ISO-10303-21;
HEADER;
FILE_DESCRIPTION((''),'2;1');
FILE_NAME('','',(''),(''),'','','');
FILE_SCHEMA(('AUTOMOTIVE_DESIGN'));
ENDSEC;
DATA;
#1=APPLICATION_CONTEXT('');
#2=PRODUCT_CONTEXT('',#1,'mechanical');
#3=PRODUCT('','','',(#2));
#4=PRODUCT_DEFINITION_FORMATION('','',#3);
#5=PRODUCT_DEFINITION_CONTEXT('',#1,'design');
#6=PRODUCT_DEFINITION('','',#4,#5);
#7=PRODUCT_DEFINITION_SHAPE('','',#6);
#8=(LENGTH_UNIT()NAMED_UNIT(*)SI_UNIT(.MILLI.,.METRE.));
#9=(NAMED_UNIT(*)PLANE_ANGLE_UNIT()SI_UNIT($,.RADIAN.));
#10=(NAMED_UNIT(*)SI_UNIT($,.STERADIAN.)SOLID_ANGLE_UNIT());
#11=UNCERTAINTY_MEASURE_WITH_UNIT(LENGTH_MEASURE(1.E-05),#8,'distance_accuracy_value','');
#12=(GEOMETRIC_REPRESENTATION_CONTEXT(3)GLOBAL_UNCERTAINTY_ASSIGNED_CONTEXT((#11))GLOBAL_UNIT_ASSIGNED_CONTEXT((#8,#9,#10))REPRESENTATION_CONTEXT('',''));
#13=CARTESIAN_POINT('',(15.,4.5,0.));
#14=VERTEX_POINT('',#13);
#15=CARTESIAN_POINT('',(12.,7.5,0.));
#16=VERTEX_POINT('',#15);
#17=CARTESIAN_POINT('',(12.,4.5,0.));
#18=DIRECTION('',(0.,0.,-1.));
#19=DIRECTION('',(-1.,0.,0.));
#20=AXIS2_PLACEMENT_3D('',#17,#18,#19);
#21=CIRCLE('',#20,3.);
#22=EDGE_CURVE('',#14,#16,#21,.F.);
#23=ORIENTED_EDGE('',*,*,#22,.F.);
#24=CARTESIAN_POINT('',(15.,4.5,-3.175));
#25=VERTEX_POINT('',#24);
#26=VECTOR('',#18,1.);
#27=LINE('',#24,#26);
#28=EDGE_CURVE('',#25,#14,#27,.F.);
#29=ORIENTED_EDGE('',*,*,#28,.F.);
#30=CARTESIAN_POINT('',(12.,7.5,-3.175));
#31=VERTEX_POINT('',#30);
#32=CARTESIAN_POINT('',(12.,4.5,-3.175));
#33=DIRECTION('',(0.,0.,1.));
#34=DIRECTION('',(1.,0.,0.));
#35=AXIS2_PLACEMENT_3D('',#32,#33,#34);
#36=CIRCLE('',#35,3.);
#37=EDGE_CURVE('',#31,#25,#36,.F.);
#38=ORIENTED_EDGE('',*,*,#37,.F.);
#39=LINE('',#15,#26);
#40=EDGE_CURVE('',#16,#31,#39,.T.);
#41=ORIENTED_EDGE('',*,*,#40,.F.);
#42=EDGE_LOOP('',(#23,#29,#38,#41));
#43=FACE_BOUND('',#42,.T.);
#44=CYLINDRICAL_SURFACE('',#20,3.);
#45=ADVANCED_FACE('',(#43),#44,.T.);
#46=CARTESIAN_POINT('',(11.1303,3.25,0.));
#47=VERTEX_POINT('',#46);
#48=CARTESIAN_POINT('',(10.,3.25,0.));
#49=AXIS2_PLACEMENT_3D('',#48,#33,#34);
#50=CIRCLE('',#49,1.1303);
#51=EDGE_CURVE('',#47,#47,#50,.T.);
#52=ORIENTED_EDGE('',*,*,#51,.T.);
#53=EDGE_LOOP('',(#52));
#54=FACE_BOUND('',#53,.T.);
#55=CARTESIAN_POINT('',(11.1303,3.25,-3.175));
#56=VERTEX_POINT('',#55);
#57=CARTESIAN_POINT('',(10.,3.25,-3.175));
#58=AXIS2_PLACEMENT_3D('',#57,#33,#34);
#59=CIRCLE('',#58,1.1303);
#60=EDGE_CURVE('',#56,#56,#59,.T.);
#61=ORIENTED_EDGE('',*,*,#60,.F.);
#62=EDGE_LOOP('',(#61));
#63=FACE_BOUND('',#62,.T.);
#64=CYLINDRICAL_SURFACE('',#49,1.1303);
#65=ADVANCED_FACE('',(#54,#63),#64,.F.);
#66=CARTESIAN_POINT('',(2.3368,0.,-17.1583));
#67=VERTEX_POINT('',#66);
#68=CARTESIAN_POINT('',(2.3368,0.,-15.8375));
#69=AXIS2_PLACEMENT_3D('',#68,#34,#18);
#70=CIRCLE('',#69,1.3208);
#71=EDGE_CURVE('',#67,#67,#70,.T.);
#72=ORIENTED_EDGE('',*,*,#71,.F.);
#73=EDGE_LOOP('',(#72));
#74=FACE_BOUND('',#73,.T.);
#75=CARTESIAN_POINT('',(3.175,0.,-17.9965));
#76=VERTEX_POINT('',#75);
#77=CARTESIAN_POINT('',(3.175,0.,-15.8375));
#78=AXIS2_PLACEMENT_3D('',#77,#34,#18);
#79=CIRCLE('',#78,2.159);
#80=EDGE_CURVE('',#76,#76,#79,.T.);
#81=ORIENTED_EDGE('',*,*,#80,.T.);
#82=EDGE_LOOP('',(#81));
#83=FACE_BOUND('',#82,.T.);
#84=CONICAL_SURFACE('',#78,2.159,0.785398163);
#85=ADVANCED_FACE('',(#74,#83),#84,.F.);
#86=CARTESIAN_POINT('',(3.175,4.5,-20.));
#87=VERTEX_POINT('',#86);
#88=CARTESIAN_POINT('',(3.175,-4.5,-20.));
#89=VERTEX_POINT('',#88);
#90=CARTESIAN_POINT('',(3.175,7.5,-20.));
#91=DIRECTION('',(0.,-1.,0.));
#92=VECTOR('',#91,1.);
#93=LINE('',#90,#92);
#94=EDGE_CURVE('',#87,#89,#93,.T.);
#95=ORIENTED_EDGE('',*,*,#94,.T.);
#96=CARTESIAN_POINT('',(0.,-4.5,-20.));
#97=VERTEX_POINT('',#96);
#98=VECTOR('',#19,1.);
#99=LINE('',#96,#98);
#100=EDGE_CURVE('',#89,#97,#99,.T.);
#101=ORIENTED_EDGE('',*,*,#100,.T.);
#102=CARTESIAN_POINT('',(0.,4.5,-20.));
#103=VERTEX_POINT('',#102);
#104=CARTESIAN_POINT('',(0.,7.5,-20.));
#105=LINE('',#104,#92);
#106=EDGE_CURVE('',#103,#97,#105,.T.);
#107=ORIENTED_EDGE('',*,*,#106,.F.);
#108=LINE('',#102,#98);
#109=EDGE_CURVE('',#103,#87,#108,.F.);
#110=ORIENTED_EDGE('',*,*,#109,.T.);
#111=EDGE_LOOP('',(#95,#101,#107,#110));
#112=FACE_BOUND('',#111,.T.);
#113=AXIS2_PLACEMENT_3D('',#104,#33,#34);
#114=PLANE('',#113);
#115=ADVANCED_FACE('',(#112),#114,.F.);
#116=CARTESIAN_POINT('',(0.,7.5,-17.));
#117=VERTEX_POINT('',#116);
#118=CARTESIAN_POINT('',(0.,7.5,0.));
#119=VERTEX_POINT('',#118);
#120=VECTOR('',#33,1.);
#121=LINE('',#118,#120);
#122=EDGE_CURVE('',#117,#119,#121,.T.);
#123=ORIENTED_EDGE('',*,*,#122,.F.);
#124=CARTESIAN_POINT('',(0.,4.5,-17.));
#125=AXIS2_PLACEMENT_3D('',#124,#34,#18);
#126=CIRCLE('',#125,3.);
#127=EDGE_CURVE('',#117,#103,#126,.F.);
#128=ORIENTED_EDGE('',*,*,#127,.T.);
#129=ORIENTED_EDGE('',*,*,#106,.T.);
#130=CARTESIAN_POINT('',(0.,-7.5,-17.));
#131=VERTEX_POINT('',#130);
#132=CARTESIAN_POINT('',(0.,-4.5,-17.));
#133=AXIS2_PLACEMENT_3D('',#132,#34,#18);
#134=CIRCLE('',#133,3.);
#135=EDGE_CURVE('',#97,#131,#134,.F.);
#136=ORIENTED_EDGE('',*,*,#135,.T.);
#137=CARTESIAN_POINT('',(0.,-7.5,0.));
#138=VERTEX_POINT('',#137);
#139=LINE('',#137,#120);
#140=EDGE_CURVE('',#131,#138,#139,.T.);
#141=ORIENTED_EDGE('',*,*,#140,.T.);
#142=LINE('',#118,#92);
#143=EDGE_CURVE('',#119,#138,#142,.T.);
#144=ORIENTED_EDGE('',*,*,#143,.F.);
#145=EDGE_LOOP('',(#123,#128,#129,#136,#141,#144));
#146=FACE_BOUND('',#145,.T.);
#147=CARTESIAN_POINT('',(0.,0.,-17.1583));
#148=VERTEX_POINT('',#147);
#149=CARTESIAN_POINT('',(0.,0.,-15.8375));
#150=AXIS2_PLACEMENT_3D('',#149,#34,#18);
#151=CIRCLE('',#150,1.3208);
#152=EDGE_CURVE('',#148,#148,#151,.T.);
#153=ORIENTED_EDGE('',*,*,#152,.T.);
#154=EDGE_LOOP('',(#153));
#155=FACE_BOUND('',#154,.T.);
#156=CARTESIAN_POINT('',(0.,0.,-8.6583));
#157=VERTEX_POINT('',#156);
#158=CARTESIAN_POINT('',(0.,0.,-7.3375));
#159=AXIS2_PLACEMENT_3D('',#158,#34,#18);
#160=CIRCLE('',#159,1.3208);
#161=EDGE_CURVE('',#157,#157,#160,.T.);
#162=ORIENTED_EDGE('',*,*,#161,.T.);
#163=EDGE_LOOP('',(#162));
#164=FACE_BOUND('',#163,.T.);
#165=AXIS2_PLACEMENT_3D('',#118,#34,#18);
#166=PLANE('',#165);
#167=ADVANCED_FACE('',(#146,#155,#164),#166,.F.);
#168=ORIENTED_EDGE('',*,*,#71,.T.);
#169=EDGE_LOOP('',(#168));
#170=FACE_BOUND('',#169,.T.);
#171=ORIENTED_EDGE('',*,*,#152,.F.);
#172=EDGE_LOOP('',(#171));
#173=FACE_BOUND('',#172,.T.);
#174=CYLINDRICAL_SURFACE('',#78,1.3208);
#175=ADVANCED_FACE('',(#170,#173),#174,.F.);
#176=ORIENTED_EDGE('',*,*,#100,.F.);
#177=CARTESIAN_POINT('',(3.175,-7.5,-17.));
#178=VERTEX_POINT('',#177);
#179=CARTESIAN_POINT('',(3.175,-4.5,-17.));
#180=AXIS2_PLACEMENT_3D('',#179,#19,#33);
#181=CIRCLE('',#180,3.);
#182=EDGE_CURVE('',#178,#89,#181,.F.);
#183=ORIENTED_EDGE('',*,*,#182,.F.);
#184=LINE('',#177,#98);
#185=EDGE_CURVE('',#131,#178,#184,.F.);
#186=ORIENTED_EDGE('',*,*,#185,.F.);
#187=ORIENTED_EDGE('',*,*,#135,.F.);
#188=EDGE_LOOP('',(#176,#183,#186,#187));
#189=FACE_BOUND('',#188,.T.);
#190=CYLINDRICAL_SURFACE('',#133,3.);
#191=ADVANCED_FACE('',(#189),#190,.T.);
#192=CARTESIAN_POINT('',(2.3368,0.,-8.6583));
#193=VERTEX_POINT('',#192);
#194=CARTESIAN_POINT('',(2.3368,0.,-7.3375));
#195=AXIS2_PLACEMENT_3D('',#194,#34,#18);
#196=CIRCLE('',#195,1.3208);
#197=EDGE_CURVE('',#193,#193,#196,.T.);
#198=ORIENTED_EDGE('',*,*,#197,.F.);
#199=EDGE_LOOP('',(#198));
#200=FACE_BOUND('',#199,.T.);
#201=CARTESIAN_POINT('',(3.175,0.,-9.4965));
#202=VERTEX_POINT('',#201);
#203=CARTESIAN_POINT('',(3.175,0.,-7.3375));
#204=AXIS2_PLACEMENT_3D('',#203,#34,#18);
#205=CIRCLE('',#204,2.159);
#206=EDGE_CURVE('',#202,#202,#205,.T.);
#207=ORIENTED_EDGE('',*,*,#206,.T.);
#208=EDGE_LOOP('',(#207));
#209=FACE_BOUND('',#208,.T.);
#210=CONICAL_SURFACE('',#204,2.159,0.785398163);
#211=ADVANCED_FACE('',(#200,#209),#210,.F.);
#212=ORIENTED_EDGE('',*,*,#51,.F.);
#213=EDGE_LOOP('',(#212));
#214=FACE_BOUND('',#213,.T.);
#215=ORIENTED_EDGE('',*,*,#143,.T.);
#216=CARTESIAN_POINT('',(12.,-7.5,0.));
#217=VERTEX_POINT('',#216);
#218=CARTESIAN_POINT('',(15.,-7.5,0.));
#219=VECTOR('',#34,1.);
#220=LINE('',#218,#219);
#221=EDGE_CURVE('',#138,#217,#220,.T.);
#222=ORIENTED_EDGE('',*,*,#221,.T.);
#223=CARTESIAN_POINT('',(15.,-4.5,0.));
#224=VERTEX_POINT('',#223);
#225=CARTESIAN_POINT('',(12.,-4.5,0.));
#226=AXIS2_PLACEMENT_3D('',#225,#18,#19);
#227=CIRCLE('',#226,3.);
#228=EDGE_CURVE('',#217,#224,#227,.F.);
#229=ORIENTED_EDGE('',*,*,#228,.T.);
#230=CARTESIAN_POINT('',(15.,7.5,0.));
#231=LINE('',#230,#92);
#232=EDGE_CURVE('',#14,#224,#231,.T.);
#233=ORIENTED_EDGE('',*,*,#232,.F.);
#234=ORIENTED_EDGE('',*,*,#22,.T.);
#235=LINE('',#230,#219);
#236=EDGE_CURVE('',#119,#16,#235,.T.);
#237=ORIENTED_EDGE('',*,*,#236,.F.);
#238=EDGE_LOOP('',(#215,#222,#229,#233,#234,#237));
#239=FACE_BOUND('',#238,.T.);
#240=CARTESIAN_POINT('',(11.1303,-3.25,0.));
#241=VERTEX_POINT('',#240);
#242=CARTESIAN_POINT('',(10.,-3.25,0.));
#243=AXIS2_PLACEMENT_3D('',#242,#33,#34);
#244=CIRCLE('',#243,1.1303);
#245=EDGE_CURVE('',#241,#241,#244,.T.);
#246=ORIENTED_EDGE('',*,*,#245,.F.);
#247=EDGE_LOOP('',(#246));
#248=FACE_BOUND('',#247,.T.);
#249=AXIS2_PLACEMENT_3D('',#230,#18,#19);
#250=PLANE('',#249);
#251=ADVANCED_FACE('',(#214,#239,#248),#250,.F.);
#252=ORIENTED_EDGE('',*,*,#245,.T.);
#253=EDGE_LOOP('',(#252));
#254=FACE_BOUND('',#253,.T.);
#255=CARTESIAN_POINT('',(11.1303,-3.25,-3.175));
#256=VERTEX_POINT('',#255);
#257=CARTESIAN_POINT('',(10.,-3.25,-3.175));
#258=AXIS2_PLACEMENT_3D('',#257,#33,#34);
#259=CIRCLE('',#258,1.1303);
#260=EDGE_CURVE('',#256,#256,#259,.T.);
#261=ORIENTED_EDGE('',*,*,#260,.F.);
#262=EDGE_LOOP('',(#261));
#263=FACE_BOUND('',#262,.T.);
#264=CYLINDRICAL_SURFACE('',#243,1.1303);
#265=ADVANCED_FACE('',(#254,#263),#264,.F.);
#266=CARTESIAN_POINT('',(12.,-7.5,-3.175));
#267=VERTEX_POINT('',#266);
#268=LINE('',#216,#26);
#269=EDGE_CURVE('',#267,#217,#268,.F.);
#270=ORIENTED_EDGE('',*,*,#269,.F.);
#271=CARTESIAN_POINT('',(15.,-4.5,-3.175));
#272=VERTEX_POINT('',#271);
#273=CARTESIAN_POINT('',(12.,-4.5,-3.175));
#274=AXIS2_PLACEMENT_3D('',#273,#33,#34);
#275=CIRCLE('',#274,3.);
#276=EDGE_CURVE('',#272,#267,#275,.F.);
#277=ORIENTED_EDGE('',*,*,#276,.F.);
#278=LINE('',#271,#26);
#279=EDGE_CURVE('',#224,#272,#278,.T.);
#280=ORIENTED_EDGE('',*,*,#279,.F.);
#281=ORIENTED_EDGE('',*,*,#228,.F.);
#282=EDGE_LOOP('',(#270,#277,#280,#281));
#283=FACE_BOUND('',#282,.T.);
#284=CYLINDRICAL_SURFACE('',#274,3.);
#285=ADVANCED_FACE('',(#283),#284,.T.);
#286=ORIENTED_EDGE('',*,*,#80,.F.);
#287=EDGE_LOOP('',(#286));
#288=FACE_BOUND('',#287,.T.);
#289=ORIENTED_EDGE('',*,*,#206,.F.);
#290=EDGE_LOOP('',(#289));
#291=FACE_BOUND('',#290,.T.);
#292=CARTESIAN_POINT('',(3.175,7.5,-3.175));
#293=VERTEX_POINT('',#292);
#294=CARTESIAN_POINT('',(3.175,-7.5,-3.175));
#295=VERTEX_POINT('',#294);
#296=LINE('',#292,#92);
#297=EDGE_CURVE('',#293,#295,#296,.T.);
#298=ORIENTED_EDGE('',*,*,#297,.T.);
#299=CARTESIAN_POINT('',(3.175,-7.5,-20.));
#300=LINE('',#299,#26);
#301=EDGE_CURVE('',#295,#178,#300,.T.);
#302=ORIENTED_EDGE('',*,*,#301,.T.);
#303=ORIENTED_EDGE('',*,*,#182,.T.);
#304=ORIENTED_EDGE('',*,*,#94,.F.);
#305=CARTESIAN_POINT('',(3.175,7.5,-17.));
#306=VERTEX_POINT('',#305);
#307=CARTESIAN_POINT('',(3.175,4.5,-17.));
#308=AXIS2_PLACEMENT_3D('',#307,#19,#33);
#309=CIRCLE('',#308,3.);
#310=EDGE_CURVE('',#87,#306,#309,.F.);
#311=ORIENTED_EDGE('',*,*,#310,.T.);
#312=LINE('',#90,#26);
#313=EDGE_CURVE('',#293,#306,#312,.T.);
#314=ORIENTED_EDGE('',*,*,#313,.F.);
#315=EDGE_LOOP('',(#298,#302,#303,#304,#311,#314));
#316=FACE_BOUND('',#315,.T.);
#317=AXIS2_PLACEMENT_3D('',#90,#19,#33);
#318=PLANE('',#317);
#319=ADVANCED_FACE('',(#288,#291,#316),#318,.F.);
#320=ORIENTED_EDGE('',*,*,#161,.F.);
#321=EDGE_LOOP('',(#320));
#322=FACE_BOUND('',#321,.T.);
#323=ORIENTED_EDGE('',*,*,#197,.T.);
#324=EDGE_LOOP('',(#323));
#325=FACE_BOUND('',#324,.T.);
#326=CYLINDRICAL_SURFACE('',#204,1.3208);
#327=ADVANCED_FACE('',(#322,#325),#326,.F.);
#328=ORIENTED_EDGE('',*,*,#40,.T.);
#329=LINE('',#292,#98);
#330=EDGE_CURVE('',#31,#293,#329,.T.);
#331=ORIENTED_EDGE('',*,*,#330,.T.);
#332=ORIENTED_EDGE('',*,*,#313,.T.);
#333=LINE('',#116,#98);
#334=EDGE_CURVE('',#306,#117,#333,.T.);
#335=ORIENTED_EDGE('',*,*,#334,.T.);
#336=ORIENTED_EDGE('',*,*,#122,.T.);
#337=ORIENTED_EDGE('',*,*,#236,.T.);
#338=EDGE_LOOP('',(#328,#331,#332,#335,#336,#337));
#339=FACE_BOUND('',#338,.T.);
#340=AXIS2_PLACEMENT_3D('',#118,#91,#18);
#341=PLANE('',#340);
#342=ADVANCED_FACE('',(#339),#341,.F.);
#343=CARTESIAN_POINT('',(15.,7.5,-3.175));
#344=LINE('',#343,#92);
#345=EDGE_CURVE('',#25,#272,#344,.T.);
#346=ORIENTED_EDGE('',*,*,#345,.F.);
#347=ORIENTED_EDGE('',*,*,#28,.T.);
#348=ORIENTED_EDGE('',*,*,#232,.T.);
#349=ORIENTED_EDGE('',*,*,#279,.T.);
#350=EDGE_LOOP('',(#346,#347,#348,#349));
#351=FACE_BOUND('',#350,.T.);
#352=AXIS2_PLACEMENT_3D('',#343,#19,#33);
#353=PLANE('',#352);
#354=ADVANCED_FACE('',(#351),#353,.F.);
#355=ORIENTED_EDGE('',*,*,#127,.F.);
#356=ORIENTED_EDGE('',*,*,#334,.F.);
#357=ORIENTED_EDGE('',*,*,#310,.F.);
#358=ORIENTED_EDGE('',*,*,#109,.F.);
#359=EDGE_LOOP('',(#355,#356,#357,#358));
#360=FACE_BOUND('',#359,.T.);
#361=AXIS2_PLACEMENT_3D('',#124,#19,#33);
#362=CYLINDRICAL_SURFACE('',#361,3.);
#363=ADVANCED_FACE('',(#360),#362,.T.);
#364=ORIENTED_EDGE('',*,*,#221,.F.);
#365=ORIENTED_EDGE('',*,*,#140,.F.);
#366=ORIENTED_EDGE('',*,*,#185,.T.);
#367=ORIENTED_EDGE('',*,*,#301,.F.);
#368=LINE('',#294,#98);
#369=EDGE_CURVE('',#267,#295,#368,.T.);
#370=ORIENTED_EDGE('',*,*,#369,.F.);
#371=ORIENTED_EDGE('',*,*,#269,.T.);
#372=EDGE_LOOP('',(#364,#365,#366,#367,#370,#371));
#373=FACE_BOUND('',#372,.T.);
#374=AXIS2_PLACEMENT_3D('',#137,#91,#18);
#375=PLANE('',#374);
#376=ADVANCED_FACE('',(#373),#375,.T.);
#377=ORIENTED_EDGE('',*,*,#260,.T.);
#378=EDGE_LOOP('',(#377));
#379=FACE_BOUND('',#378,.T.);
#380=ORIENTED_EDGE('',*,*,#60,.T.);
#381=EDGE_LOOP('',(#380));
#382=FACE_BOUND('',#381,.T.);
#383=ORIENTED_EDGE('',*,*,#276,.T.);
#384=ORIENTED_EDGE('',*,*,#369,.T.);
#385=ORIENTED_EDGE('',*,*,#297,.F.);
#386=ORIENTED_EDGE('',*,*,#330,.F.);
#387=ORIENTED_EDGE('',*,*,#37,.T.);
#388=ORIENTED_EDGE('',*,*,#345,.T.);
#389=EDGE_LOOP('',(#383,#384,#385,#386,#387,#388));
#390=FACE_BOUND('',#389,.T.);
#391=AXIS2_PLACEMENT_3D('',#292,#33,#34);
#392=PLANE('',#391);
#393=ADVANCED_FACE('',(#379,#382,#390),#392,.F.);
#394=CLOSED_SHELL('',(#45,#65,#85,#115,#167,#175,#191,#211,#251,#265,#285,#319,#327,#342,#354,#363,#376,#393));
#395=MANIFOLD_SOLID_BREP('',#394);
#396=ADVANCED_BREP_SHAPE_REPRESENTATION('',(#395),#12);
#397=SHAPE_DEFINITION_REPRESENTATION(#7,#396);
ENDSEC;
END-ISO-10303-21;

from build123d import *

# Parameters (mm, degrees)
BOSS_EXTRUDE1_DEPTH             = 7.5
F_2_CLEARANCE_HOLE1_D           = 2.2606
F_3_CLEARANCE_HOLE1_D           = 2.6416
F_3_CLEARANCE_HOLE1_CSINK_D     = 4.318
F_3_CLEARANCE_HOLE1_CSINK_ANGLE = 90
FILLET1_R                       = 3


with BuildPart() as part:
    # Sketch3 → Boss-Extrude1 (new body, symmetric)
    with BuildSketch(Plane(origin=(0, 0, 0), x_dir=(1, 0, 0), z_dir=(0, 1, 0))):
        Polygon((0, 0), (0, 20), (3.175, 20), (3.175, 3.175), (15, 3.175), (15, 0), align=None)
    extrude(amount=BOSS_EXTRUDE1_DEPTH, both=True)

    # #2 Clearance Hole1 (through all)
    with Locations(Plane.XY):
        with Locations((10, -3.25), (10, 3.25)):
            Hole(F_2_CLEARANCE_HOLE1_D / 2)

    # #3 Clearance Hole1 (through all)
    with Locations(Plane(origin=(3.175, 0, 0), x_dir=(0, 0, -1), z_dir=(1, 0, 0))):
        with Locations((7.3375, 0), (15.8375, 0)):
            CounterSinkHole(F_3_CLEARANCE_HOLE1_D / 2, F_3_CLEARANCE_HOLE1_CSINK_D / 2, counter_sink_angle=F_3_CLEARANCE_HOLE1_CSINK_ANGLE)

    # Fillet1
    fillet1_edges = [part.edges().sort_by_distance(p)[0] for p in [
        (1.5875, 7.5, -20),
        (1.5875, -7.5, -20),
        (15, -7.5, -1.5875),
        (15, 7.5, -1.5875),
    ]]
    fillet(fillet1_edges, radius=FILLET1_R)


solid = part.part
